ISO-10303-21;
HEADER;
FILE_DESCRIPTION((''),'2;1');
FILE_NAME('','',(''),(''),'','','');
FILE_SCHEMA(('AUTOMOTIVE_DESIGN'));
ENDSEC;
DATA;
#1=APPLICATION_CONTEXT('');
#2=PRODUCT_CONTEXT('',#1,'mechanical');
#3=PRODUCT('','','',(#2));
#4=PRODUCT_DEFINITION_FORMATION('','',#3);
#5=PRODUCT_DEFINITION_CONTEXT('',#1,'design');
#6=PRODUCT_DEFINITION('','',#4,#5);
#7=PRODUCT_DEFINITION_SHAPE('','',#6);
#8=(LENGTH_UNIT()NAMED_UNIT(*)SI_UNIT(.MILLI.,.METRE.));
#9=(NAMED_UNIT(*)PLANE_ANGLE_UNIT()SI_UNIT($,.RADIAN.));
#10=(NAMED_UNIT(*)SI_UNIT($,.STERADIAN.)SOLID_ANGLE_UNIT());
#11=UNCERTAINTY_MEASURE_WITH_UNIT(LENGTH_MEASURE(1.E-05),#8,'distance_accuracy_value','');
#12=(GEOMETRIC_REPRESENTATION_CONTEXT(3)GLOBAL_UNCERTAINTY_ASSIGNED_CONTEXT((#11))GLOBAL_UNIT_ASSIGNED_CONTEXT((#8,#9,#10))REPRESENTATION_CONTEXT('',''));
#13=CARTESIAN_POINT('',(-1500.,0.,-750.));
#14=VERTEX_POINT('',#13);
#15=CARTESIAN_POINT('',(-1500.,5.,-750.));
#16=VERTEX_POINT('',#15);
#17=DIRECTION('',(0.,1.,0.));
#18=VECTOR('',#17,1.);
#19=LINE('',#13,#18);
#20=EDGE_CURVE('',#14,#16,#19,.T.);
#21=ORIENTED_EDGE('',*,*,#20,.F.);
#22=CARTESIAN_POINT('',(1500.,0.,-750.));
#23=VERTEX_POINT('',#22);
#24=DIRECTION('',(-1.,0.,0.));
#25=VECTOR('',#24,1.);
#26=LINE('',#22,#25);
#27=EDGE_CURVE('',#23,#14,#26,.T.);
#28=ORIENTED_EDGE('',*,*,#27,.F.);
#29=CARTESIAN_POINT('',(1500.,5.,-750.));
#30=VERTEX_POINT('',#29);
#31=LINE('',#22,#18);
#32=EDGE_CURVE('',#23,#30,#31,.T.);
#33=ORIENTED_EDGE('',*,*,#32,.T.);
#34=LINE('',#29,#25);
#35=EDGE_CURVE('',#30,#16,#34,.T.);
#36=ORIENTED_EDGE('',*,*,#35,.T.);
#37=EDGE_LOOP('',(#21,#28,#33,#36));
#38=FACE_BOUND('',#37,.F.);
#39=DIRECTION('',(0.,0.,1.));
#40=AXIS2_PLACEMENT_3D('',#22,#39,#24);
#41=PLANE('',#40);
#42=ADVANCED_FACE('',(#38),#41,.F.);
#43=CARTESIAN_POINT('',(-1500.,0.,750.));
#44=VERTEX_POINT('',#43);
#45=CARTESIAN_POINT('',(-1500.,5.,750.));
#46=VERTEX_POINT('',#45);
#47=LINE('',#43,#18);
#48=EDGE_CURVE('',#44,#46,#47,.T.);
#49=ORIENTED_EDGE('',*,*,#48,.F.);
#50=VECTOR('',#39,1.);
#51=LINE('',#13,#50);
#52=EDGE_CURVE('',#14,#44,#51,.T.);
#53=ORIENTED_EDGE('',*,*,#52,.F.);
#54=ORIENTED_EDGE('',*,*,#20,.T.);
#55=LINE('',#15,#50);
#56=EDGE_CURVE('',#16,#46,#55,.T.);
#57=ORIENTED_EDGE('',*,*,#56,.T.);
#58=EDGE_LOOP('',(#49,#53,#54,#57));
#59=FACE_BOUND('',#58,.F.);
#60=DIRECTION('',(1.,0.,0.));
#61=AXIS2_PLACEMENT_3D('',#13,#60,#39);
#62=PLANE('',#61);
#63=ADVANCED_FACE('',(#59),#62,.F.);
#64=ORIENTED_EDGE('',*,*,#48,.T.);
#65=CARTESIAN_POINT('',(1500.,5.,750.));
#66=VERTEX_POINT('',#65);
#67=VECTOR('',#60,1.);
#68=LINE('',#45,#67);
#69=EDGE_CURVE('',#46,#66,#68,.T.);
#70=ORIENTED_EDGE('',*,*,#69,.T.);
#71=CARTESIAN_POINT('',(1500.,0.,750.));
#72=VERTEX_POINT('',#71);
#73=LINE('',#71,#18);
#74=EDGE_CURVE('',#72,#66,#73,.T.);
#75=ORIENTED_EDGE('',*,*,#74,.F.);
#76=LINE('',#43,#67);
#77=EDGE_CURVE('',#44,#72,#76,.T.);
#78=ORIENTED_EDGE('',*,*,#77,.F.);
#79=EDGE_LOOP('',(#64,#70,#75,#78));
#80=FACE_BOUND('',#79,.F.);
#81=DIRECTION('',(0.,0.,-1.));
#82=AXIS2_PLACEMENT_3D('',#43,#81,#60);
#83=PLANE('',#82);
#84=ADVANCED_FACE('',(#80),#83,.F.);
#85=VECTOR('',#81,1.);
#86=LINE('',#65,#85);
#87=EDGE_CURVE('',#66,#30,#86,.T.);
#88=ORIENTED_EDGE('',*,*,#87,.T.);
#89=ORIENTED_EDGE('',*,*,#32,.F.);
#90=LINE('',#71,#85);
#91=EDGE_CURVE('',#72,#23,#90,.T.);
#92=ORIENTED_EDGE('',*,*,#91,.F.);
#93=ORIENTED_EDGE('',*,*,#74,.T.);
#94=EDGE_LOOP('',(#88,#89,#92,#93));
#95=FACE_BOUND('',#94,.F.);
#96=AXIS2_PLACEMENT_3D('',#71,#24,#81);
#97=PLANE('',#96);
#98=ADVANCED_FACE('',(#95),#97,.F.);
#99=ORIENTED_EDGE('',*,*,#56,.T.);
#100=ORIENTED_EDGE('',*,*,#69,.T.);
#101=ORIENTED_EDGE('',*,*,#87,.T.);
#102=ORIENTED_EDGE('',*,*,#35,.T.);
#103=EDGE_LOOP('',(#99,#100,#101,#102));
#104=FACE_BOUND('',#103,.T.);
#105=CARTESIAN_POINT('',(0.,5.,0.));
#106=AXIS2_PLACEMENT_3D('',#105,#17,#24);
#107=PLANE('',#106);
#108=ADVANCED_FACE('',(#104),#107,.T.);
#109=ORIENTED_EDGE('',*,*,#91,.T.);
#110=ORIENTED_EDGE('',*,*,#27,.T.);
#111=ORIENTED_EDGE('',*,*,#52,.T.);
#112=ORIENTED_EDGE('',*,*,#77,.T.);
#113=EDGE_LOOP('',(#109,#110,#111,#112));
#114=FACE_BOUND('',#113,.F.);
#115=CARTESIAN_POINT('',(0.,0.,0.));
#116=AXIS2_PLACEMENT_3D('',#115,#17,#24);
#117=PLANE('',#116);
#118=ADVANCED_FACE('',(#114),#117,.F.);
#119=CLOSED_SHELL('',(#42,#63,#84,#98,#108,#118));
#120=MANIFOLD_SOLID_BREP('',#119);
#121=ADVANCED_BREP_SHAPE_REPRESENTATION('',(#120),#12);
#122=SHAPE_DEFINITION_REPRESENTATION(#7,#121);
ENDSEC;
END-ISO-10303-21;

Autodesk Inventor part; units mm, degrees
ref_plane "YZ Plane" through (0, 0, 0) normal (1, 0, 0) x (0, 1, 0)
ref_plane "XZ Plane" through (0, 0, 0) normal (0, 1, 0) x (-1, 0, 0)
ref_plane "XY Plane" through (0, 0, 0) normal (0, 0, 1) x (1, 0, 0)
sketch "Эскиз1" plane through (0, 0, 0) normal (0, 1, 0) x (-1, 0, 0)
  line L0 (1500, 750) -> (-1500, 750)
  line L1 (-1500, 750) -> (-1500, -750)
  line L2 (-1500, -750) -> (1500, -750)
  line L3 (1500, -750) -> (1500, 750)
  line L4 (1500, 750) -> (-1500, -750) construction
  line L5 (-1500, 750) -> (1500, -750) construction
  point P0 (0, 0)
  dimension "d0" = 3000
  dimension "d1" = 1500
extrude "Пластина1" add sketch "Эскиз1" along normal blind 5
equation "\"d2\" = Толщина"
equation "\"Радиус_гибки\" = Толщина"
equation "\"Ширина_просечки\" = Толщина"
equation "\"Глубина_просечки\" = 0.5 * Толщина"
equation "\"Радиус_перехода\" = Радиус_гибки"
equation "\"Радиус_Якоби\" = Радиус_гибки"
equation "\"Размер_зазора\" = Толщина"
equation "\"Толщина\" = 5"
properties part number "0921_CPY1" material "Steel"
